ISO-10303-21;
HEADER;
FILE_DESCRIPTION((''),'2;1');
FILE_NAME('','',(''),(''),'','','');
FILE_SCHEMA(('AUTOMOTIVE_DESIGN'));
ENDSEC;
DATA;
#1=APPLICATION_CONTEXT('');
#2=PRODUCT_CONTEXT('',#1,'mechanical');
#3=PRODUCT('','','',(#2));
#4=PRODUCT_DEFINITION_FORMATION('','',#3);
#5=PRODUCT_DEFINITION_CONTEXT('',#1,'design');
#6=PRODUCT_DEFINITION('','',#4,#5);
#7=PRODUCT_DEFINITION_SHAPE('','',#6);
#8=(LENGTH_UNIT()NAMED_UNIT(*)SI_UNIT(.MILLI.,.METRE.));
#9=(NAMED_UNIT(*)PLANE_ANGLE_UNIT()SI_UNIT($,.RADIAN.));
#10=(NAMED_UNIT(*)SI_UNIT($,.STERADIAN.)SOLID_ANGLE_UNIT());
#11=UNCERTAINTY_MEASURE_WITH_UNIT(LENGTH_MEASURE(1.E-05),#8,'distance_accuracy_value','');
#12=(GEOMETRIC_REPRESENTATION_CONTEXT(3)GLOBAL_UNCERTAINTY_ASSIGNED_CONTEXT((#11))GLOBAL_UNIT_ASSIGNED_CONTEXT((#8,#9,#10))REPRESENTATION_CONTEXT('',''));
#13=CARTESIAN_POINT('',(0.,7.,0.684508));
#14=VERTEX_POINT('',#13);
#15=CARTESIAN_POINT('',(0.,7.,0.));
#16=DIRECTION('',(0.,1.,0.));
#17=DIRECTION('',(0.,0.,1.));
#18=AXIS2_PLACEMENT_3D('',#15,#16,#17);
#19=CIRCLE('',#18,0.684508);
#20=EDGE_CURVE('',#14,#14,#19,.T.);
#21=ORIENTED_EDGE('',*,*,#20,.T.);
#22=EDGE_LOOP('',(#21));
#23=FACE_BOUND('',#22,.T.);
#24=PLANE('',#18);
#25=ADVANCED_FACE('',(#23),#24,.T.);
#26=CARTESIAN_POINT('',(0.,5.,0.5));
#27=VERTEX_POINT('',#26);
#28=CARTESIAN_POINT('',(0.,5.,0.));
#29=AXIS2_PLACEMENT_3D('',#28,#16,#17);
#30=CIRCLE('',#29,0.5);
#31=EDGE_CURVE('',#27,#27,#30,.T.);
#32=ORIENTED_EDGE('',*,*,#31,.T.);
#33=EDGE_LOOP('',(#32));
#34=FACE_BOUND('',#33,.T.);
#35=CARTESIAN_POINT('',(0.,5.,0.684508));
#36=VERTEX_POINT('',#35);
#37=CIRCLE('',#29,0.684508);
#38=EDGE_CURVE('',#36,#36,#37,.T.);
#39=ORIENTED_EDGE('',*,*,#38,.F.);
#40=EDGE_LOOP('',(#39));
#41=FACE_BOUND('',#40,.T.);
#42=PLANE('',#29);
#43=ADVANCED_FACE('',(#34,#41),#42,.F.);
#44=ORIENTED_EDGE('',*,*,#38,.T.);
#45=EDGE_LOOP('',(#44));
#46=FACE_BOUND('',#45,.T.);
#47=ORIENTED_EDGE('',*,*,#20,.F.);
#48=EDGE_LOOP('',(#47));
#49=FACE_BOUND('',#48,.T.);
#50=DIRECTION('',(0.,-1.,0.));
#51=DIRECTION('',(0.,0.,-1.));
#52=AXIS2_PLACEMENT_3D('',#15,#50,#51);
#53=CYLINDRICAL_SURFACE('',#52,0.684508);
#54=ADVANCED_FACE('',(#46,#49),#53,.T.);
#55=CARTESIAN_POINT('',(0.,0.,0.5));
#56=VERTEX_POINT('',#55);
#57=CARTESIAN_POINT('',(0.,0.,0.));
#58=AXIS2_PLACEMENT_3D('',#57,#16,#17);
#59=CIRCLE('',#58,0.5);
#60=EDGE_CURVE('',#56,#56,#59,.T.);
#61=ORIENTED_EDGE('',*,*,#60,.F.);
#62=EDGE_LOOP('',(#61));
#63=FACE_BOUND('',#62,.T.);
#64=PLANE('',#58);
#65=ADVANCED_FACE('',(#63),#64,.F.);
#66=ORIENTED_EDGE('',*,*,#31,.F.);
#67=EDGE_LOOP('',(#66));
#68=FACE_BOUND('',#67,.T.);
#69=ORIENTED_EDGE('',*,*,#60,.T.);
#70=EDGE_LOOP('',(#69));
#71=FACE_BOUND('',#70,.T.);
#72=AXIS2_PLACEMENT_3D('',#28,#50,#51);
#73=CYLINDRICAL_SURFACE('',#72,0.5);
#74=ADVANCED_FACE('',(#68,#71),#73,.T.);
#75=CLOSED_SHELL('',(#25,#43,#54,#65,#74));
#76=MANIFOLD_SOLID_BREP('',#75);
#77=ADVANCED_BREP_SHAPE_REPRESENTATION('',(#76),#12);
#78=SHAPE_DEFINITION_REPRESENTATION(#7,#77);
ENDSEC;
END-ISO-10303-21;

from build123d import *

# Parameters (mm, degrees)
SKETCH1_R           = 0.5
BOSS_EXTRUDE1_DEPTH = 5
SKETCH2_R           = 0.684508396
BOSS_EXTRUDE2_DEPTH = 2


with BuildPart() as part:
    # Sketch1 → Boss-Extrude1 (new body)
    with BuildSketch(Plane(origin=(0, 0, 0), x_dir=(1, 0, 0), z_dir=(0, 1, 0))):
        Circle(SKETCH1_R)
    extrude(amount=BOSS_EXTRUDE1_DEPTH)

    # Sketch2 → Boss-Extrude2 (add)
    with BuildSketch(Plane(origin=(0, 5, 0), x_dir=(1, 0, 0), z_dir=(0, 1, 0))):
        Circle(SKETCH2_R)
    extrude(amount=BOSS_EXTRUDE2_DEPTH)


solid = part.part
